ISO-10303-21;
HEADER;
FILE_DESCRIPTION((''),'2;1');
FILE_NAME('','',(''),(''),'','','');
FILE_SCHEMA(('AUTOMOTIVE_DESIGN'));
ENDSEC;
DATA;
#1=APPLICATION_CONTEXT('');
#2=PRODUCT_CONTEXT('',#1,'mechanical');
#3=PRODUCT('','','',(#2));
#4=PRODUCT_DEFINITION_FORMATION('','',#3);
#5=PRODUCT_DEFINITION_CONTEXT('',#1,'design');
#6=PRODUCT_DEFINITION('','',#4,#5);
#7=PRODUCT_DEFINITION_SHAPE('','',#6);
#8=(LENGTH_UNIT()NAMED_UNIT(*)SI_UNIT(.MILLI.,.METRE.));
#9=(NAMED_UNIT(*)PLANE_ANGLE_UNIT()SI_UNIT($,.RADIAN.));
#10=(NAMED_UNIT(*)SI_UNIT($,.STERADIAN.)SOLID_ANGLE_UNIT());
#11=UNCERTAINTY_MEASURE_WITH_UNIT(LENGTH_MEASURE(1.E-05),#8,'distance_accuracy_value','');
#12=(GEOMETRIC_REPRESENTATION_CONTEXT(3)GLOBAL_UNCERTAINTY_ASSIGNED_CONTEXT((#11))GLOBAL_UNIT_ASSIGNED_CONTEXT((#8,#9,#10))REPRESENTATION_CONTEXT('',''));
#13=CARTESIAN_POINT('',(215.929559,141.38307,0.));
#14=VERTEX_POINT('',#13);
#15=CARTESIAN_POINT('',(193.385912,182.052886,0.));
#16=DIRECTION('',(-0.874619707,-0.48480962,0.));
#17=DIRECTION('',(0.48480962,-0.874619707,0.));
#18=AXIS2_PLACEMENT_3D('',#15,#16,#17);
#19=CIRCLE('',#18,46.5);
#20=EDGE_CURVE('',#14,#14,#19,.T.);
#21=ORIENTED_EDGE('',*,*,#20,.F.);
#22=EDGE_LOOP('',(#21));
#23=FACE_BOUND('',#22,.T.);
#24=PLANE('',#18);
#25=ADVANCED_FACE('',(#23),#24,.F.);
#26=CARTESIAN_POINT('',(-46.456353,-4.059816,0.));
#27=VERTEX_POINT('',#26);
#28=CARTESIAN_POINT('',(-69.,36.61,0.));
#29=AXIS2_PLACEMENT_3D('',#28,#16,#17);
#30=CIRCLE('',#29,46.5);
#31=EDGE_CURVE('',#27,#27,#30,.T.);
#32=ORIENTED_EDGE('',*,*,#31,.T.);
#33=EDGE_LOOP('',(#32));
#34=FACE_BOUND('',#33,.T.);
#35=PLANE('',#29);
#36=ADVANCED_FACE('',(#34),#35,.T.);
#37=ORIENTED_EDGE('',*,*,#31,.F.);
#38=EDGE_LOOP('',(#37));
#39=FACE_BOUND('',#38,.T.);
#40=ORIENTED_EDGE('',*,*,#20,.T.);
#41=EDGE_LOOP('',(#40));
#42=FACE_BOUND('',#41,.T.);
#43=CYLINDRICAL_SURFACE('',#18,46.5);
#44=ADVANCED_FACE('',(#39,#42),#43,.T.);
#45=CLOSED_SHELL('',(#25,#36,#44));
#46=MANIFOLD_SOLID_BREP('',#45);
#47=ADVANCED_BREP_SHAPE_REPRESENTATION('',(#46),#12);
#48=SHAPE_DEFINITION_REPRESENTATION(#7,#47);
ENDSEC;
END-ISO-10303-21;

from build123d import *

# Parameters (mm, degrees)
SWEEP1_PROFILE_R = 46.5


with BuildPart() as part:
    # Sweep1: sweep along a path in Sketch2
    with BuildLine(Plane.XY) as sweep1_path:
        Line((193.385912142, 182.052886074), (-69, 36.61))
    # Sweep1 profile (on start of the path) → Sweep1 (sweep)
    with BuildSketch(Plane(origin=(193.385912142, 182.052886074, 0), x_dir=(0.48480962, -0.874619707, 0), z_dir=(-0.874619707, -0.48480962, 0))):
        Circle(SWEEP1_PROFILE_R)
    sweep(path=sweep1_path.line)


solid = part.part
